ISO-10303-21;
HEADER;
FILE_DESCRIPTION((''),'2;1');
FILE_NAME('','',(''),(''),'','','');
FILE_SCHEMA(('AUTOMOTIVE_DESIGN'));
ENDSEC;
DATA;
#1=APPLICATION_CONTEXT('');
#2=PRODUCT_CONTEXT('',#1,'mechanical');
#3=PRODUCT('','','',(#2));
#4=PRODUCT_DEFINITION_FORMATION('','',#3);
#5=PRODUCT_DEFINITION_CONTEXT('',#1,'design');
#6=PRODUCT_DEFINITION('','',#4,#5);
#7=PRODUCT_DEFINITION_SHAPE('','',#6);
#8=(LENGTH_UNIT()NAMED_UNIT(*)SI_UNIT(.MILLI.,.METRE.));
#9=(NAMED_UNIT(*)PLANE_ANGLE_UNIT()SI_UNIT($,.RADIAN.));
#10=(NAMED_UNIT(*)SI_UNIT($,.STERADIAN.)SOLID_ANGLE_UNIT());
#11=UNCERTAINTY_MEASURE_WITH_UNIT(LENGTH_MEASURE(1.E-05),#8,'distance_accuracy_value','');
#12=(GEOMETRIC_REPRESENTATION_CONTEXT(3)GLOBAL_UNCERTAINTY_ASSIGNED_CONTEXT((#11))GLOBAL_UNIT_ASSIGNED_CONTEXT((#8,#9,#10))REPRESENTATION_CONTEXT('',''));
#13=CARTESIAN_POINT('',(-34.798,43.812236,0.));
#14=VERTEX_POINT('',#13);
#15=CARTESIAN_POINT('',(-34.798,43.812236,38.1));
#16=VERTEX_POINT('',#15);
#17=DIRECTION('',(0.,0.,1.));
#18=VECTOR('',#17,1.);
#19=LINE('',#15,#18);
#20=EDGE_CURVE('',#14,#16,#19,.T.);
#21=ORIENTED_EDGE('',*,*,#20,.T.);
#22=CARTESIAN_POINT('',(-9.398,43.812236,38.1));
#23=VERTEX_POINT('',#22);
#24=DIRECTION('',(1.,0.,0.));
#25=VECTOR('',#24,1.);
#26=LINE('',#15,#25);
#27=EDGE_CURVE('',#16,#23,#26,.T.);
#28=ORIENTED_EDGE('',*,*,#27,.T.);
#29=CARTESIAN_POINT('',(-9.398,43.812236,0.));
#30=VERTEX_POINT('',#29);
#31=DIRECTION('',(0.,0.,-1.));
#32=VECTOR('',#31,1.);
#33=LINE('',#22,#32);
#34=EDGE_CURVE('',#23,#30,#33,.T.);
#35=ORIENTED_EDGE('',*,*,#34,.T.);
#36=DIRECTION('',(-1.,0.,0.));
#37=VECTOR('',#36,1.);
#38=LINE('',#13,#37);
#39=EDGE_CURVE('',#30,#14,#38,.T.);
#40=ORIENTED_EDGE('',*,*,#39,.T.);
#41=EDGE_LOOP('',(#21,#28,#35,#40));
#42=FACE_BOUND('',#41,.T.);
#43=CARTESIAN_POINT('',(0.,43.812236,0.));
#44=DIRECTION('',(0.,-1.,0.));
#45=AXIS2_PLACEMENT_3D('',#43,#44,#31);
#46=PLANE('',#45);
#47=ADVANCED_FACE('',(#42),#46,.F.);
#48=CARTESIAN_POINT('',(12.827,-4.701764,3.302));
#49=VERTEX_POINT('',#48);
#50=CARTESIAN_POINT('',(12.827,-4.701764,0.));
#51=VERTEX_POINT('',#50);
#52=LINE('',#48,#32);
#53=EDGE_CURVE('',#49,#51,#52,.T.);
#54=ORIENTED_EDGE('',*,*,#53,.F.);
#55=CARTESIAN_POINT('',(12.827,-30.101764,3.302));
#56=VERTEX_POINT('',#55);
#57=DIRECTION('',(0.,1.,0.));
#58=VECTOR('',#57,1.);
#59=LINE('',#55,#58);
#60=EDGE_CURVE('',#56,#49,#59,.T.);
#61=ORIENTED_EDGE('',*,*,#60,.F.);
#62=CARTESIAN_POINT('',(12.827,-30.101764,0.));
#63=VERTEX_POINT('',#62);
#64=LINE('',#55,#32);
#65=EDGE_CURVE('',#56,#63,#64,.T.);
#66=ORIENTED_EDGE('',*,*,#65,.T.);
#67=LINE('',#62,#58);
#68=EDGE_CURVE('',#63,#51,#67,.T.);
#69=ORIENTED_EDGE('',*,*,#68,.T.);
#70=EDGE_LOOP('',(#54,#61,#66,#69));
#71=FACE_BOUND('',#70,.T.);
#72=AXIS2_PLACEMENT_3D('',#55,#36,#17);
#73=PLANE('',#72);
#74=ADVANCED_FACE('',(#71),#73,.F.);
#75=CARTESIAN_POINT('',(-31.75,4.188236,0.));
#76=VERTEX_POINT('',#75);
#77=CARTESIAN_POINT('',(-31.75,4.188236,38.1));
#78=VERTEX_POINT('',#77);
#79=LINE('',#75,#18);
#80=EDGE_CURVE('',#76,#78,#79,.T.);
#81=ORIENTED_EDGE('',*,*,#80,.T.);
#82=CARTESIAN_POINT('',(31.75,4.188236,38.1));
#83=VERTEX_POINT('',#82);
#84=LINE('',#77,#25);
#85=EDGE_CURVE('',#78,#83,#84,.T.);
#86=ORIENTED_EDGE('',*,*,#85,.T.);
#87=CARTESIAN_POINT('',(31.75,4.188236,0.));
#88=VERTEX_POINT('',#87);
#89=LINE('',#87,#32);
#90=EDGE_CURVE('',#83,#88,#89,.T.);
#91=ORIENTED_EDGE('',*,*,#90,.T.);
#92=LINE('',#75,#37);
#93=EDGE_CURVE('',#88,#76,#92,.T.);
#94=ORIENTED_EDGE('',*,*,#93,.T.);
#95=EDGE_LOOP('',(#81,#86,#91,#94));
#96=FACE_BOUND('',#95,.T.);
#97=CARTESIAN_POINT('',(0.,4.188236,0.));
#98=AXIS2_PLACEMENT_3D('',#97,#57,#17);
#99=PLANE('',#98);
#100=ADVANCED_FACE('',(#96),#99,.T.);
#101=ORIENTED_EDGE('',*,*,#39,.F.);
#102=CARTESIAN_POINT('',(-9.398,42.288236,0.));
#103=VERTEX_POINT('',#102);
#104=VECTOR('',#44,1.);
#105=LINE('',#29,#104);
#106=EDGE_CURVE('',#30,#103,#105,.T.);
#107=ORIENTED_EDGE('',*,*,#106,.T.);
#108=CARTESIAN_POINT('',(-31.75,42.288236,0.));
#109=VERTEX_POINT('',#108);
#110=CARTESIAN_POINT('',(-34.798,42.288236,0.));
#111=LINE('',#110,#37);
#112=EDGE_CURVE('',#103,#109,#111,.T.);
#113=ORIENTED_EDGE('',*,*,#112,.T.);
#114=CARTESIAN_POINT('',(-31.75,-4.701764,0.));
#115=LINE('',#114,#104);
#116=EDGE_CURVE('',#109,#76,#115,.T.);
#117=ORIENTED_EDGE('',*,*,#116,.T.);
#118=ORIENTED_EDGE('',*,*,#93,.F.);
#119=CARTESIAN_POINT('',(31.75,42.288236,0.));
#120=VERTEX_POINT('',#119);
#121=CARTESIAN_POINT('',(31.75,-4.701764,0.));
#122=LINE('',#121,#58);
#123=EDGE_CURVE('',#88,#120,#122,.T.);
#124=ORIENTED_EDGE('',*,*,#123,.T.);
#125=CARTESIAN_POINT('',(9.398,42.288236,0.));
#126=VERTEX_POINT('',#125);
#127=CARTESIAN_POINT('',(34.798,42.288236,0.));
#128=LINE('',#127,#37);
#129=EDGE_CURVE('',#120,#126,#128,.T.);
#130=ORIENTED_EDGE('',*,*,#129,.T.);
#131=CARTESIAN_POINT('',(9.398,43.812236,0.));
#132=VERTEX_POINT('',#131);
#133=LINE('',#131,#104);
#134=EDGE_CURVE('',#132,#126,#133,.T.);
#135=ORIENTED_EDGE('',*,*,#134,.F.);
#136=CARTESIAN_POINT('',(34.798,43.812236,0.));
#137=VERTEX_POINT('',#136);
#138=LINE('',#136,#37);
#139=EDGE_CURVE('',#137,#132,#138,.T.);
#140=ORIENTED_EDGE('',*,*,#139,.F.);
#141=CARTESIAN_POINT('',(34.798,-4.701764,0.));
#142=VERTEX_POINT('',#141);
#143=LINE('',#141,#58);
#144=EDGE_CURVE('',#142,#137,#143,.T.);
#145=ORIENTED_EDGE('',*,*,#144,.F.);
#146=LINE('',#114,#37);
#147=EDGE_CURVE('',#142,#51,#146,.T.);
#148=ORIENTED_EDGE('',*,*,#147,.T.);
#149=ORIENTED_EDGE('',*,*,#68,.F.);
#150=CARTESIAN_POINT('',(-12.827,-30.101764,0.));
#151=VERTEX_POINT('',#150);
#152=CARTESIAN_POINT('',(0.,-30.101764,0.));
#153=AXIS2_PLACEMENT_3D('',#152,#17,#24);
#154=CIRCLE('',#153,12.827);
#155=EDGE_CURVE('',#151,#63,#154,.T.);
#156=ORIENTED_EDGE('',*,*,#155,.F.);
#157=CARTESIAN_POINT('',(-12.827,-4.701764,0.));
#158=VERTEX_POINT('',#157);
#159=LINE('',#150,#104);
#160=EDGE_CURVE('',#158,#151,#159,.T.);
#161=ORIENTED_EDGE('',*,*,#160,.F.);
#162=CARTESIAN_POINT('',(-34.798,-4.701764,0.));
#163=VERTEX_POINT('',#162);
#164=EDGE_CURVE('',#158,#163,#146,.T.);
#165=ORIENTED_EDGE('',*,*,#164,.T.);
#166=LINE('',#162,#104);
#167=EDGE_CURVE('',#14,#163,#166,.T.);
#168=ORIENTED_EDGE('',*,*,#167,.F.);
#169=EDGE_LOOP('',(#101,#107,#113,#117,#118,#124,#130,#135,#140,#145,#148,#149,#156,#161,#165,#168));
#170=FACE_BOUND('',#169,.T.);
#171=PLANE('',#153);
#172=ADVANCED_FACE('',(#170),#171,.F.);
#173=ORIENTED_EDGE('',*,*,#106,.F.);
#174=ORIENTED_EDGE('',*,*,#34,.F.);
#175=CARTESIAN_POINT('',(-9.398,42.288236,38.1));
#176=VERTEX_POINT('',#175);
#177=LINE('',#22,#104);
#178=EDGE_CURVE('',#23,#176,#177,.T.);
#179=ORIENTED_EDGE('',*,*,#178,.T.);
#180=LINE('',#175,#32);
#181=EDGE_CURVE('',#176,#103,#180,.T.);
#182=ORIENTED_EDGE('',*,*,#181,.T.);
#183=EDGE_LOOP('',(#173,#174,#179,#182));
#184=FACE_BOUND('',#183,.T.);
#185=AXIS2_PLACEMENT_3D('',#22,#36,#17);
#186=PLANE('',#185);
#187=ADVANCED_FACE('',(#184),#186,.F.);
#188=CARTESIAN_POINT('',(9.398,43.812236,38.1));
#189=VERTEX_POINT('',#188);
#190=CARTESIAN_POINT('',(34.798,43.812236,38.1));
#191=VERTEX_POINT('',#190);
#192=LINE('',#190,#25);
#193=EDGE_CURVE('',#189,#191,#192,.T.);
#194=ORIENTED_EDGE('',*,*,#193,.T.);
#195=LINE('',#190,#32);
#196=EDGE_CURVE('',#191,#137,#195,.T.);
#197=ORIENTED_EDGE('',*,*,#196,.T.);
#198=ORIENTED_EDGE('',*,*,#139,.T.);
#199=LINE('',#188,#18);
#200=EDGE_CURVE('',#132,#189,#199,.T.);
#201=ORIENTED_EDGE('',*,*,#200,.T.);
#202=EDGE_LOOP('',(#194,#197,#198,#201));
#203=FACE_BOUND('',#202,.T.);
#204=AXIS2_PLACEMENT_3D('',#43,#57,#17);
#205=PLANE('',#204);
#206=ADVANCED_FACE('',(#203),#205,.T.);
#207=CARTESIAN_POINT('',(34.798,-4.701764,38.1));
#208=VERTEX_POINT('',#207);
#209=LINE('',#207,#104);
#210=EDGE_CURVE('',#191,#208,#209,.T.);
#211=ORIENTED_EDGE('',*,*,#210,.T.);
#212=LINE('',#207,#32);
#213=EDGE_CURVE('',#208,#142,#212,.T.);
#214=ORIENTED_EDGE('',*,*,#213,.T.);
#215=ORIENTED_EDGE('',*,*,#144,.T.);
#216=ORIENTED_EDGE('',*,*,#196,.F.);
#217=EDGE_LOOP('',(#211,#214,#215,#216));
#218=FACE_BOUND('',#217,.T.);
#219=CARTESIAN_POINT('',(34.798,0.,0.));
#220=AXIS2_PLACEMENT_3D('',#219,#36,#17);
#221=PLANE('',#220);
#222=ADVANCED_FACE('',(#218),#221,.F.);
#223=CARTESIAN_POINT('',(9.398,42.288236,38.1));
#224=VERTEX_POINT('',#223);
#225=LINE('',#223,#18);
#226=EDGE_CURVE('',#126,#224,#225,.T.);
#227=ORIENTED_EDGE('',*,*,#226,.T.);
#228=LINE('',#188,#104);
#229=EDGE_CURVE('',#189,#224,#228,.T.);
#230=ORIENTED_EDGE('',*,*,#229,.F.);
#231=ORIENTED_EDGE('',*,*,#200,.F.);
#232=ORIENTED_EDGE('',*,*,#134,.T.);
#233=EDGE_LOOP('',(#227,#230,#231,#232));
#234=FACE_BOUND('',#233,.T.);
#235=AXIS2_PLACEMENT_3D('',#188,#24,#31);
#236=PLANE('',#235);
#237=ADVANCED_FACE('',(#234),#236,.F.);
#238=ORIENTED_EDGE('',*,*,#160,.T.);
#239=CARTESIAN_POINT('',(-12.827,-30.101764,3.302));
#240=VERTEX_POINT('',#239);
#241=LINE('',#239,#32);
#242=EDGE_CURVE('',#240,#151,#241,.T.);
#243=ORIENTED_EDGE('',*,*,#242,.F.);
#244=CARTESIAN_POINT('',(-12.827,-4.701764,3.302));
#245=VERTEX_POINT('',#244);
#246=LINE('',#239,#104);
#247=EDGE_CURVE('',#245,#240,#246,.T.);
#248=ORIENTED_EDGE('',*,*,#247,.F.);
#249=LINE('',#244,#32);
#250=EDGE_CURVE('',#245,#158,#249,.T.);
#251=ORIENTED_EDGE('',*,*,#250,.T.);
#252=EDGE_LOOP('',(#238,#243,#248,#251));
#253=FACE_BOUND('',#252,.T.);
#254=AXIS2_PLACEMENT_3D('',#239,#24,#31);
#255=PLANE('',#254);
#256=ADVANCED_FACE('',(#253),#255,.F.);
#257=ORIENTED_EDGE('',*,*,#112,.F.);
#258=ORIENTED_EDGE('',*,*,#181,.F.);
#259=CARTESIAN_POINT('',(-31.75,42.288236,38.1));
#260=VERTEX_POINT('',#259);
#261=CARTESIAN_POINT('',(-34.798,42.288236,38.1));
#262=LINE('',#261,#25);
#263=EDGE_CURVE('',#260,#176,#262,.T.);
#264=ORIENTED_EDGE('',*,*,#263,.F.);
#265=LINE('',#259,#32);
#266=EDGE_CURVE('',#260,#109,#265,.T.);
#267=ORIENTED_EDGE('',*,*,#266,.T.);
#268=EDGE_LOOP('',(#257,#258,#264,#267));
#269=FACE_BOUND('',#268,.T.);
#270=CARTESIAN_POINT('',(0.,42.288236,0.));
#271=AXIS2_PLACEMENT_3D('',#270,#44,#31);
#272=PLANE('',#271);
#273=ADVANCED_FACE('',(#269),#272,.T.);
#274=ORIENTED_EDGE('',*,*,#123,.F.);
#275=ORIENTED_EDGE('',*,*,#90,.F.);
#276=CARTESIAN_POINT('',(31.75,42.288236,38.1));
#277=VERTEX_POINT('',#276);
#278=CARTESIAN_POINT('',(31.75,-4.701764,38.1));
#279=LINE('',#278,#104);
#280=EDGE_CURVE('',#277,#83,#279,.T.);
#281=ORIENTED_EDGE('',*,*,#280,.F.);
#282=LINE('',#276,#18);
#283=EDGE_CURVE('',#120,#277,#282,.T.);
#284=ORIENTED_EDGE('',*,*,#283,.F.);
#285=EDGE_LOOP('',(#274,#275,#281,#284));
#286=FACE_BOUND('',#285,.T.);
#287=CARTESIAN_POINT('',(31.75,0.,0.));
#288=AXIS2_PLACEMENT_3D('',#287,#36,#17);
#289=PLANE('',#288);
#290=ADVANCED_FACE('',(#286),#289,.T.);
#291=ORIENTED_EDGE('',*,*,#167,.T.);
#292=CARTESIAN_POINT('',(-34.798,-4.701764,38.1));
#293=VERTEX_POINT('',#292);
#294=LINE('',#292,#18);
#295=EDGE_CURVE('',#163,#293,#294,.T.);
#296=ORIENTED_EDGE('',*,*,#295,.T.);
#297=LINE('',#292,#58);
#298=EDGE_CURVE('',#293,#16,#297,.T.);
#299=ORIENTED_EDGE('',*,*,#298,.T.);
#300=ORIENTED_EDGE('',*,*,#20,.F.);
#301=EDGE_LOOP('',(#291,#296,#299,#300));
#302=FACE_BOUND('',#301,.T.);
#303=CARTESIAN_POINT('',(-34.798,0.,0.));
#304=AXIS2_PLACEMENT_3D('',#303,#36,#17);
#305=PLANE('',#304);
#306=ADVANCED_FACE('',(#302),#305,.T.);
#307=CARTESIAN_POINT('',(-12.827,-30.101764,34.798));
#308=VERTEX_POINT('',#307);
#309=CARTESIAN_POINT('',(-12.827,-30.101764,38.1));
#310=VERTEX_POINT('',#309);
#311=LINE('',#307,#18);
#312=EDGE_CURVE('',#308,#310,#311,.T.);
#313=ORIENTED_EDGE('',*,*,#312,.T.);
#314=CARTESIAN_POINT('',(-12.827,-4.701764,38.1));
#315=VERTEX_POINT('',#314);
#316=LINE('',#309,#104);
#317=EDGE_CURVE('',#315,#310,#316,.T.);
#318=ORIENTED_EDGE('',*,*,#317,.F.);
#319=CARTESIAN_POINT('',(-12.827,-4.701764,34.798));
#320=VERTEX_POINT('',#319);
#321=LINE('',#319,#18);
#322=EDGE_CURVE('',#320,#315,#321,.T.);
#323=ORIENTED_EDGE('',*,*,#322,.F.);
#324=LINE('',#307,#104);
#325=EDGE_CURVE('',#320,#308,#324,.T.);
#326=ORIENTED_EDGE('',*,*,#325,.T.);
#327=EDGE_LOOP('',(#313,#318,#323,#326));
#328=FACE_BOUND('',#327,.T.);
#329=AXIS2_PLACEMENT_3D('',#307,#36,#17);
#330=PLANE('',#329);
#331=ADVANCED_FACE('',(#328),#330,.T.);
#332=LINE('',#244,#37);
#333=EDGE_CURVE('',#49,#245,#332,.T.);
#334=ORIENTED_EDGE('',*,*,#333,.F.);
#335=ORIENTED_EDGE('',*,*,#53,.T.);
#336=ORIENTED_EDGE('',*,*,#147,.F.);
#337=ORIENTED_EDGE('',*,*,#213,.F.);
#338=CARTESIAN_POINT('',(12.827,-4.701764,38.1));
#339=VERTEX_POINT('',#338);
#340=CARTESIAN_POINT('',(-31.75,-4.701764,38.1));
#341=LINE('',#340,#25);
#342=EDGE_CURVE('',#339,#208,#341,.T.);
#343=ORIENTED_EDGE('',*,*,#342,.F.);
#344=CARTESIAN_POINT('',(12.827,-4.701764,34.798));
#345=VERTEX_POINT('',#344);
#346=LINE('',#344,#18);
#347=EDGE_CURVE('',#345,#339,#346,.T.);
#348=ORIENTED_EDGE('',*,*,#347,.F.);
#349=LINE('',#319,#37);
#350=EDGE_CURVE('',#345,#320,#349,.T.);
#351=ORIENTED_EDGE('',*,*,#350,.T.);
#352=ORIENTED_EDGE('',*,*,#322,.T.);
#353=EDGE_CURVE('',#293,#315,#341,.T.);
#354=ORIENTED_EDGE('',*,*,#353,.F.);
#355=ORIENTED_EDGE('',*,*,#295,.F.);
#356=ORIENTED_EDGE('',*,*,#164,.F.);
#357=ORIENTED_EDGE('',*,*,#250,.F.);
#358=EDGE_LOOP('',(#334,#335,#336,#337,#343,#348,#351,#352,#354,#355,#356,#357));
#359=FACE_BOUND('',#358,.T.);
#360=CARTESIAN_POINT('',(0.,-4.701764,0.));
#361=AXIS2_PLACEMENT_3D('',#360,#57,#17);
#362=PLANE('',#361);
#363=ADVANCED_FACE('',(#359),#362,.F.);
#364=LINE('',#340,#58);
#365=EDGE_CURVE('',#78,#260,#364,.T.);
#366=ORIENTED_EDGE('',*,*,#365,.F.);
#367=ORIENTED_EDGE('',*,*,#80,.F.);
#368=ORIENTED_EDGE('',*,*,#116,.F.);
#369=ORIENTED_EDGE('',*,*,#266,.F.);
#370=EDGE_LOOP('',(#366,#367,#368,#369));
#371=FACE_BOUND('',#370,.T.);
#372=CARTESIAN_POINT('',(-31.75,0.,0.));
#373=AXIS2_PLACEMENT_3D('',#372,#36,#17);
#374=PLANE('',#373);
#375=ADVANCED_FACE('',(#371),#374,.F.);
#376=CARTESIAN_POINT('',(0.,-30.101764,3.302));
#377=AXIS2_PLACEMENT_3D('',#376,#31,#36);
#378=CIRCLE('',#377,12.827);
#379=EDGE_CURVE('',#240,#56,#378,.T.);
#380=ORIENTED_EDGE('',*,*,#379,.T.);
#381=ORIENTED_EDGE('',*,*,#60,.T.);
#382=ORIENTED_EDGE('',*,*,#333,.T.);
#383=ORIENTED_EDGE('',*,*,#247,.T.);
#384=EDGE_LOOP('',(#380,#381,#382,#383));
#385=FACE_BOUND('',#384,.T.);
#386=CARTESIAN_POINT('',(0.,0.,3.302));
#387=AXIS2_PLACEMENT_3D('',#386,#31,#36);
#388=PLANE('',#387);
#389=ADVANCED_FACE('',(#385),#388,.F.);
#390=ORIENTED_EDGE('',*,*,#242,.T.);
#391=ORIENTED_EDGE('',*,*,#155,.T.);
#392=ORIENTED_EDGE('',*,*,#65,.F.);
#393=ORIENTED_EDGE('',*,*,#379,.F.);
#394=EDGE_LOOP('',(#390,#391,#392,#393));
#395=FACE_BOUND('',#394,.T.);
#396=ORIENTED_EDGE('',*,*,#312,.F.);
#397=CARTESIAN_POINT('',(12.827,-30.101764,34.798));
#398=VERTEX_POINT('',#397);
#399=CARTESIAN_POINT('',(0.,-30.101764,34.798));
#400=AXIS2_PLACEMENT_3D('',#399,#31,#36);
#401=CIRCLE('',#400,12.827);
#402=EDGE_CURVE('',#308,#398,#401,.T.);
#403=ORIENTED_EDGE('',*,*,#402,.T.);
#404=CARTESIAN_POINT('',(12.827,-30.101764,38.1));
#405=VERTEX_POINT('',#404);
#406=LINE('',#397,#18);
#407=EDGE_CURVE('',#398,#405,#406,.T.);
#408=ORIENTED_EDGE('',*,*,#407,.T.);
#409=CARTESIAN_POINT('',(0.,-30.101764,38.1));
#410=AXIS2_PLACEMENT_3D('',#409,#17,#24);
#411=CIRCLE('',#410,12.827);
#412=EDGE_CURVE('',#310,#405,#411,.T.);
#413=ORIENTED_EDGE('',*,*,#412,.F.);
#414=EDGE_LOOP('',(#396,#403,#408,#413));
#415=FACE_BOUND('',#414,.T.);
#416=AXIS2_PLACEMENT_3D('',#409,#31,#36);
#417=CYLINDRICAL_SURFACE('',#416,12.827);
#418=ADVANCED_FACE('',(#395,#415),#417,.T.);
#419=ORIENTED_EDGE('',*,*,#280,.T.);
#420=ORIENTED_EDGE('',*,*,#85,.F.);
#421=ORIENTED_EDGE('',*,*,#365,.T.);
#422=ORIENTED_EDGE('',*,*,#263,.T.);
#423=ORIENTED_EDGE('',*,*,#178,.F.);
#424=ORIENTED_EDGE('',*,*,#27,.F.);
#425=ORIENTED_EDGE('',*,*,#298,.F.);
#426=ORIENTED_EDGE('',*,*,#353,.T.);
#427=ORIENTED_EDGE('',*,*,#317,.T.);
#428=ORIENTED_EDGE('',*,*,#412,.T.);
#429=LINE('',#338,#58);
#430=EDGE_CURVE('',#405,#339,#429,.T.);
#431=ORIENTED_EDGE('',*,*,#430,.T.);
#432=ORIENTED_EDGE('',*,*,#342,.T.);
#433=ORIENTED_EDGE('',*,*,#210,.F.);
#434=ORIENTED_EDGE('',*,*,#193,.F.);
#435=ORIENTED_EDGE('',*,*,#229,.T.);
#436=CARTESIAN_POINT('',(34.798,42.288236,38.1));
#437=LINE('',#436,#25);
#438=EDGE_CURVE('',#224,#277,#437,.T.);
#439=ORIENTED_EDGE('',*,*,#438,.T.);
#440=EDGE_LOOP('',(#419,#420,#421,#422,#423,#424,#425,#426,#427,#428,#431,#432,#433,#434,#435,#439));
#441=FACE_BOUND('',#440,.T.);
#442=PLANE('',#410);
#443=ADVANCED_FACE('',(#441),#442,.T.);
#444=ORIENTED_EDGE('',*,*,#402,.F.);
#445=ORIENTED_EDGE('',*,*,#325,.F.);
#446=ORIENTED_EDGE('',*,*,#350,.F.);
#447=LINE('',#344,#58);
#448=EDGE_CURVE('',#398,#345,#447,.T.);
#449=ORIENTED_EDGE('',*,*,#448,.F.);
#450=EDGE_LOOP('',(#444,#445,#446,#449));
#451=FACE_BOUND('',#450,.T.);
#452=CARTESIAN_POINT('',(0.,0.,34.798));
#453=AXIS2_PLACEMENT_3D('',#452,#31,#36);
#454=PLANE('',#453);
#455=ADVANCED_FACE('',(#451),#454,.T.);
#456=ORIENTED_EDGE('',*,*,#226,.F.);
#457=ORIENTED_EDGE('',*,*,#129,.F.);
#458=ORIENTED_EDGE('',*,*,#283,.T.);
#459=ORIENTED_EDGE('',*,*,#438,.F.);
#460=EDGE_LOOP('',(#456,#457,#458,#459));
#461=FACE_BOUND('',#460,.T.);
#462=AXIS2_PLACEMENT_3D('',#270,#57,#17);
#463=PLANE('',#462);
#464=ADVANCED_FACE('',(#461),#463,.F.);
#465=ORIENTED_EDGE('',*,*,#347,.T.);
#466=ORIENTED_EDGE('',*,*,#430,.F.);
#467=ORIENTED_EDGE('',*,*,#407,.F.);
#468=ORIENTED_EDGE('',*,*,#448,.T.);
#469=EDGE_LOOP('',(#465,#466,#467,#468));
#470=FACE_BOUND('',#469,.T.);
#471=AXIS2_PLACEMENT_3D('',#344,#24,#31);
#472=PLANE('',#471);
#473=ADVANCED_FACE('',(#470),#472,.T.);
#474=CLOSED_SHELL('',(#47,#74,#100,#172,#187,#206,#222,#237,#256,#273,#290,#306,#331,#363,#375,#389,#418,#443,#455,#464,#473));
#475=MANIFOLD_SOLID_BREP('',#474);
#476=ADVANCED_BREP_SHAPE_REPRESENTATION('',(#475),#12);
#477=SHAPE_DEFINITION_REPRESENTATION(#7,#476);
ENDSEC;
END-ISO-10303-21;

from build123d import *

# Parameters (mm, degrees)
SKETCH1_R            = 12.827
BOSS_EXTRUDE1_DEPTH  = 38.1
SKETCH2_W            = 25.654
SKETCH2_H            = 25.4
BOSS_EXTRUDE2_DEPTH  = 3.302
SKETCH8_W            = 63.5
SKETCH8_H            = 38.1
BOSS_EXTRUDE6_DEPTH  = 8.89
SKETCH10_W           = 38.1
SKETCH10_H           = 46.99
BOSS_EXTRUDE7_DEPTH  = 3.048
SKETCH11_W           = 38.1
SKETCH11_H           = 46.99
BOSS_EXTRUDE8_DEPTH  = 3.048
SKETCH13_W           = 25.4
SKETCH13_H           = 38.1
BOSS_EXTRUDE9_DEPTH  = 1.524
SKETCH14_W           = 25.4
SKETCH14_H           = 38.1
BOSS_EXTRUDE10_DEPTH = 1.524
SKETCH16_W           = 25.654
SKETCH16_H           = 25.4
BOSS_EXTRUDE12_DEPTH = 3.302


with BuildPart() as part:
    # Sketch1 → Boss-Extrude1 (new body)
    with BuildSketch(Plane.XY):
        with Locations(Location((0, -30.101764051, 0), (0, 0, 180))):
            Circle(SKETCH1_R)
    extrude(amount=BOSS_EXTRUDE1_DEPTH)

    # Sketch2 → Boss-Extrude2 (add)
    with BuildSketch(Plane.XY):
        with Locations((0, -17.401764051)):
            Rectangle(SKETCH2_W, SKETCH2_H)
    extrude(amount=BOSS_EXTRUDE2_DEPTH)

    # Sketch8 → Boss-Extrude6 (add)
    with BuildSketch(Plane(origin=(0, -4.701764051, 0), x_dir=(1, 0, 0), z_dir=(0, 1, 0))):
        with Locations((0, -19.05)):
            Rectangle(SKETCH8_W, SKETCH8_H)
    extrude(amount=BOSS_EXTRUDE6_DEPTH)

    # Sketch10 → Boss-Extrude7 (add)
    with BuildSketch(Plane(origin=(31.75, 0, 0), x_dir=(0, 0, -1), z_dir=(1, 0, 0))):
        with Locations((-19.05, 18.793235949)):
            Rectangle(SKETCH10_W, SKETCH10_H)
    extrude(amount=BOSS_EXTRUDE7_DEPTH)

    # Sketch11 → Boss-Extrude8 (add)
    with BuildSketch(Plane.ZY.offset(31.75)):
        with Locations((19.05, 18.793235949)):
            Rectangle(SKETCH11_W, SKETCH11_H)
    extrude(amount=BOSS_EXTRUDE8_DEPTH)

    # Sketch13 → Boss-Extrude9 (add)
    with BuildSketch(Plane(origin=(0, 42.288235949, 0), x_dir=(1, 0, 0), z_dir=(0, 1, 0))):
        with Locations((22.098, -19.05)):
            Rectangle(SKETCH13_W, SKETCH13_H)
    extrude(amount=BOSS_EXTRUDE9_DEPTH)

    # Sketch14 → Boss-Extrude10 (add)
    with BuildSketch(Plane(origin=(0, 42.288235949, 0), x_dir=(1, 0, 0), z_dir=(0, 1, 0))):
        with Locations((-22.098, -19.05)):
            Rectangle(SKETCH14_W, SKETCH14_H)
    extrude(amount=BOSS_EXTRUDE10_DEPTH)

    # Sketch16 → Boss-Extrude12 (add)
    with BuildSketch(Plane.XY.offset(38.1)):
        with Locations((0, -17.401764051)):
            Rectangle(SKETCH16_W, SKETCH16_H)
    extrude(amount=-BOSS_EXTRUDE12_DEPTH)


solid = part.part
